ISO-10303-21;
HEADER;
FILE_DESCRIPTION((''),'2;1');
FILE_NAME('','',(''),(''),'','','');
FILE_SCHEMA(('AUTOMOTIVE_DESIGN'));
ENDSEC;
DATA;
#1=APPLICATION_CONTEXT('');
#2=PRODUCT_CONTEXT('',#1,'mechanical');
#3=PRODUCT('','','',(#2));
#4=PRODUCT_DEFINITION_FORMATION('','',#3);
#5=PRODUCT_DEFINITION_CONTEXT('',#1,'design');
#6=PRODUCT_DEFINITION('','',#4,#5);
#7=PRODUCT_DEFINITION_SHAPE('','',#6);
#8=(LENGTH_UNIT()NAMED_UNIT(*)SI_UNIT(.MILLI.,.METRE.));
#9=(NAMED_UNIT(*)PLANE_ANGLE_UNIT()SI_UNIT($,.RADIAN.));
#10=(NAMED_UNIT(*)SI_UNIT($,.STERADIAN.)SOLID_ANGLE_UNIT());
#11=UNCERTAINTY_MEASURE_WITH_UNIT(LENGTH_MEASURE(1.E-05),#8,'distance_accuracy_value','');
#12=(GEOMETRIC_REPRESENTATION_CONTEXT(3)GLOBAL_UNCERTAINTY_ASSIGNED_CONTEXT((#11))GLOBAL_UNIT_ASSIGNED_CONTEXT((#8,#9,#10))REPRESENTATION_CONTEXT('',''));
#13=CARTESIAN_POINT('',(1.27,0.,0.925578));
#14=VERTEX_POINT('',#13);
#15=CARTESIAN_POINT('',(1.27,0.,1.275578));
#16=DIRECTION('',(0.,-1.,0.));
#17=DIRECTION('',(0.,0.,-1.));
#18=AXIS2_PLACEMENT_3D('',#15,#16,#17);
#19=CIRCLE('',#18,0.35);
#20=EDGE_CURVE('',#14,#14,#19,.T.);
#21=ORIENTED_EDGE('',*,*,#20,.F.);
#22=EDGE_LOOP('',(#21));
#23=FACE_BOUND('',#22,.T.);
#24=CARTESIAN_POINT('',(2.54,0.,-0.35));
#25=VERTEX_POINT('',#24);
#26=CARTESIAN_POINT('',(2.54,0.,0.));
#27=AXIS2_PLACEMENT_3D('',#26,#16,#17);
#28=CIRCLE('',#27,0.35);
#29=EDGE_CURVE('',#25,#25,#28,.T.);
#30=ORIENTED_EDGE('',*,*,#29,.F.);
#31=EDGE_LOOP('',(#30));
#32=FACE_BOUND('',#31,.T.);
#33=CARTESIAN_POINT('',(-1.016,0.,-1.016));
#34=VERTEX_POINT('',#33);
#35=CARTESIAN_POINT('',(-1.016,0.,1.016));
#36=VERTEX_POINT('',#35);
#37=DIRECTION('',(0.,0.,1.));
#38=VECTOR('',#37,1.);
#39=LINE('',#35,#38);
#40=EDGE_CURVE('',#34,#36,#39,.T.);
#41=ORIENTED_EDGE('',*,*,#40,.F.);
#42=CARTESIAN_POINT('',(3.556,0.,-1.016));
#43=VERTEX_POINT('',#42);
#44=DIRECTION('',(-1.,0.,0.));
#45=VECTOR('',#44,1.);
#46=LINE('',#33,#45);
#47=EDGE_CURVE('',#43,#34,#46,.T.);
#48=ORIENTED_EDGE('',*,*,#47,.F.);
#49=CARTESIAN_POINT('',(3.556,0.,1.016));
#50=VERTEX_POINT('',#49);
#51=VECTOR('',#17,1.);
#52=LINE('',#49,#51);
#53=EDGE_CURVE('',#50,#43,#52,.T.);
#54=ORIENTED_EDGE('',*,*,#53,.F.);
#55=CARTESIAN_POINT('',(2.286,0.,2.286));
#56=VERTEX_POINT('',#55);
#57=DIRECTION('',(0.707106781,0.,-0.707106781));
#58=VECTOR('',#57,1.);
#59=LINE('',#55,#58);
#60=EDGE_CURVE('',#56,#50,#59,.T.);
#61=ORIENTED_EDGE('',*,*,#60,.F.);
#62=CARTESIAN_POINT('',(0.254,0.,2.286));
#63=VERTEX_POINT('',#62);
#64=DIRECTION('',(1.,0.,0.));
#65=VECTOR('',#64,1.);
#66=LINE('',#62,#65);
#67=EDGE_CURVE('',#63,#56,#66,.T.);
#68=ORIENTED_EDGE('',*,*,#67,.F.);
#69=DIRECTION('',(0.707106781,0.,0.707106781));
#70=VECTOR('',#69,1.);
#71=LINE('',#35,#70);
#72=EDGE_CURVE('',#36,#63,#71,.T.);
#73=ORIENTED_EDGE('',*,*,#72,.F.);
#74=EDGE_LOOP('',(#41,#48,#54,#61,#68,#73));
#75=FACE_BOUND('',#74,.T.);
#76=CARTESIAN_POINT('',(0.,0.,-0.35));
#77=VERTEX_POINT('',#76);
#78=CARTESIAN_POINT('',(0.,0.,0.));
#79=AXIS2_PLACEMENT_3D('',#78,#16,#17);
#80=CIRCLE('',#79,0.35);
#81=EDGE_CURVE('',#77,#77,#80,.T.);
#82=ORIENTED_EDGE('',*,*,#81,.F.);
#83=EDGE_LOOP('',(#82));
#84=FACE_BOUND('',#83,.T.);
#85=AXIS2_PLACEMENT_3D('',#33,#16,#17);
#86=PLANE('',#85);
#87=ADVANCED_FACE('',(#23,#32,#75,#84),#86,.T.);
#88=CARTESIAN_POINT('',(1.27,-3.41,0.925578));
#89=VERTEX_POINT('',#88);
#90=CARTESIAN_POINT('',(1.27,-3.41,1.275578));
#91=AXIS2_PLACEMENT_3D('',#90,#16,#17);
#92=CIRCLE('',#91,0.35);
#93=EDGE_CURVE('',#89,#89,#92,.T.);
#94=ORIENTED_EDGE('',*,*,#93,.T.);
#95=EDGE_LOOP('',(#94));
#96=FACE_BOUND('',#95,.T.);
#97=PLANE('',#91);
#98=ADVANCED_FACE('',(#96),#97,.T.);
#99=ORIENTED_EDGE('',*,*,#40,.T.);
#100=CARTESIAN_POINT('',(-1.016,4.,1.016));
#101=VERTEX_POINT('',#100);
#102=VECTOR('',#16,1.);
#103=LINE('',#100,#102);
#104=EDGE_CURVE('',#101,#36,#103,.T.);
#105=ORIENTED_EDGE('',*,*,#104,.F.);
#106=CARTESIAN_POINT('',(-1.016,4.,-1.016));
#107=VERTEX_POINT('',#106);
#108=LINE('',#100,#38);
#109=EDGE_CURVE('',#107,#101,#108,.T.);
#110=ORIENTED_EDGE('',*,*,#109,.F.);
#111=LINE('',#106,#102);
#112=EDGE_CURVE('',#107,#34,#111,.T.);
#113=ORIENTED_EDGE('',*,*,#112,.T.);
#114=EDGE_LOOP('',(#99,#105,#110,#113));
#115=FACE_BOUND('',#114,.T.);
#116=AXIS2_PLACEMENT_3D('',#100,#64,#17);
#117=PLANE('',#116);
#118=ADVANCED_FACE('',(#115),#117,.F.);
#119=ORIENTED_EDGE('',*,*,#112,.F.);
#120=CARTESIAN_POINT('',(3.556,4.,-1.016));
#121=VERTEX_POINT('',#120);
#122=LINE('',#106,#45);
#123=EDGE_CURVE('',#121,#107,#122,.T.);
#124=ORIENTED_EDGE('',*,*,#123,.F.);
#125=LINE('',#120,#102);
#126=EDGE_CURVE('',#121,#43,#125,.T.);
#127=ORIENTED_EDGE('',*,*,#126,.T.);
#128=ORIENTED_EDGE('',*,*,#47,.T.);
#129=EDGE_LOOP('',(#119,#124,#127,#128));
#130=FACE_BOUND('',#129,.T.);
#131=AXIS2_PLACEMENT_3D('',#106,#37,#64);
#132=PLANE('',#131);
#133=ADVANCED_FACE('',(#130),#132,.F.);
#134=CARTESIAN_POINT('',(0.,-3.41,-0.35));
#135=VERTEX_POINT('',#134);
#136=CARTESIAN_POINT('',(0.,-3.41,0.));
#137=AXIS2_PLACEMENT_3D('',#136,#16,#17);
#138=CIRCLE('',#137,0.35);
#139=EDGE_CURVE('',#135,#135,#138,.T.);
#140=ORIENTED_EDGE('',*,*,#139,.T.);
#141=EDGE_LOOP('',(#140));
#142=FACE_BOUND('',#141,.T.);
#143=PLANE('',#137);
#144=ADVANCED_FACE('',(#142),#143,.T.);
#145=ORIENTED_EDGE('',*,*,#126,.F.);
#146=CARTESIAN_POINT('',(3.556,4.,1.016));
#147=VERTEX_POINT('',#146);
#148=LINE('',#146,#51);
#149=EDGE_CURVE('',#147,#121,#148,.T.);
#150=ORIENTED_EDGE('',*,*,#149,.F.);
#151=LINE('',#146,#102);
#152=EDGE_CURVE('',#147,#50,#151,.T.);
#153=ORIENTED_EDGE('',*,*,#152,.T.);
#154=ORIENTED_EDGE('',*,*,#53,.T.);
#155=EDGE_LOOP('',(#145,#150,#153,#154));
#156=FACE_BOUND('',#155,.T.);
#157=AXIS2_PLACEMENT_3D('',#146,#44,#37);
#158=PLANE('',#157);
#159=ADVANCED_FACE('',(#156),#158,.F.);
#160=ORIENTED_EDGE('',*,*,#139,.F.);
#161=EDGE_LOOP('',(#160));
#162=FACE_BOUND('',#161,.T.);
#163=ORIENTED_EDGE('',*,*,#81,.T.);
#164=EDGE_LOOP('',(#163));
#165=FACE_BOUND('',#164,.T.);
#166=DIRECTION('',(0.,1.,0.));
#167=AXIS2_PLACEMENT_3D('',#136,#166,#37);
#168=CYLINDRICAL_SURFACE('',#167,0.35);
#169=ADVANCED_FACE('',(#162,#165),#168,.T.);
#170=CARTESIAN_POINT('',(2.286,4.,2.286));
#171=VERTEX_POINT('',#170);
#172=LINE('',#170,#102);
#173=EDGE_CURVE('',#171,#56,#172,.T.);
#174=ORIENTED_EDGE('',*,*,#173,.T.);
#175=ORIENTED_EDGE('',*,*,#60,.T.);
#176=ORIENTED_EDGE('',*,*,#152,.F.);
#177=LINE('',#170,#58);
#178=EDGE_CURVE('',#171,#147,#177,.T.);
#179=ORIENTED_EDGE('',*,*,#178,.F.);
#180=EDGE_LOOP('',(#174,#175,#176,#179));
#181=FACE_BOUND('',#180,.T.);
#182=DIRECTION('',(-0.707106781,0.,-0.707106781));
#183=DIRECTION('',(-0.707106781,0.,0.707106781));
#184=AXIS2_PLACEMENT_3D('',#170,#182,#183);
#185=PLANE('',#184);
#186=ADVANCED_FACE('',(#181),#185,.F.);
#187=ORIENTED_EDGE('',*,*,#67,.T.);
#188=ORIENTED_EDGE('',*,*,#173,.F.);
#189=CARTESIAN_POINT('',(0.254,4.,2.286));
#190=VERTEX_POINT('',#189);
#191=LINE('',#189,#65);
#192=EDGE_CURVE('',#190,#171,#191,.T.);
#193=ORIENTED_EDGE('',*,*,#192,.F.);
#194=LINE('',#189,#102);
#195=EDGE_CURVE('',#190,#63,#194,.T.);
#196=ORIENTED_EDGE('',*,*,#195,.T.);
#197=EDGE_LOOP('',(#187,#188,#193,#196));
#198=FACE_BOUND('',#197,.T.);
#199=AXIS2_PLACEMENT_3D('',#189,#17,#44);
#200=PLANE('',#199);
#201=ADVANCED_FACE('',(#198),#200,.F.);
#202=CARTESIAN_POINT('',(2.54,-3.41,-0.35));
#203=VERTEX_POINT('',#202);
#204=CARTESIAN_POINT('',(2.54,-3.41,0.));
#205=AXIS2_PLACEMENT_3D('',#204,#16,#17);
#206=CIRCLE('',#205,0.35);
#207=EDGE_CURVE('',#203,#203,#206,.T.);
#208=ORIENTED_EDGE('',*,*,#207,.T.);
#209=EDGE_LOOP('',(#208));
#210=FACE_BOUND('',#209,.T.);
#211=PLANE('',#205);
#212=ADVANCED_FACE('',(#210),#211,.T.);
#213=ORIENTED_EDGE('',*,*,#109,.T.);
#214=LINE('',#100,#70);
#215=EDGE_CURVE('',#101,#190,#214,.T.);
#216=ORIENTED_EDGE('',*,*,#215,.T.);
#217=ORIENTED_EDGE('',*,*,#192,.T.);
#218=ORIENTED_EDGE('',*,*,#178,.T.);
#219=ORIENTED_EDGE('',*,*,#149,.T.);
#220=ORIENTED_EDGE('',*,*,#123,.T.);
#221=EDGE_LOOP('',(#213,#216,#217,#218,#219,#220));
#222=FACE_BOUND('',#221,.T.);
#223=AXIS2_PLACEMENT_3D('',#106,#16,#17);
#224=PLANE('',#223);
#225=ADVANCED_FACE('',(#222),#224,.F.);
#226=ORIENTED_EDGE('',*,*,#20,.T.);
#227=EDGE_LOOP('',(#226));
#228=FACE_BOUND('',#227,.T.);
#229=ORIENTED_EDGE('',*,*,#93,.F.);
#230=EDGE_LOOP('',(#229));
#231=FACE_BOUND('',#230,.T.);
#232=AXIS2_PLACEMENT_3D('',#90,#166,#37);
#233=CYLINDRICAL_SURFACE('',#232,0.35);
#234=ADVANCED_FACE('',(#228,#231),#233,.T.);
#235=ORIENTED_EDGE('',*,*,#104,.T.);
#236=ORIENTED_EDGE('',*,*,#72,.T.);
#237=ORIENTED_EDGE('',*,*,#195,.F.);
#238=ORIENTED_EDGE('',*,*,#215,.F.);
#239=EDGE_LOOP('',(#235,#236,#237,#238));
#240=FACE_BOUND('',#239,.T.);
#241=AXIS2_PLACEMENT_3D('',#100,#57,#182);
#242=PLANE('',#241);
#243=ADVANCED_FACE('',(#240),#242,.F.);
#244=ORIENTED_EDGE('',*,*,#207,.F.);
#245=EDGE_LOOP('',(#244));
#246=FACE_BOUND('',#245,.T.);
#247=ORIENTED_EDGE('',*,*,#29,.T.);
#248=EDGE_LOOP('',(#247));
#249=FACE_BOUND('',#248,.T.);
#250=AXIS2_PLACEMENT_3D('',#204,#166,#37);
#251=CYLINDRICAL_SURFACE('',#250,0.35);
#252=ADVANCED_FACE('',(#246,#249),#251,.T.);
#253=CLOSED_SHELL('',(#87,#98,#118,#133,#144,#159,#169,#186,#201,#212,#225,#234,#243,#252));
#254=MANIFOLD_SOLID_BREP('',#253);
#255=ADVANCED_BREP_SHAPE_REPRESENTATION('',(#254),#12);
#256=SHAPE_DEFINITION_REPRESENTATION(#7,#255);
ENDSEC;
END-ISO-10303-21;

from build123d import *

# Parameters (mm, degrees)
BOSS_EXTRUDE1_DEPTH = 4
SKETCH2_R           = 0.35
BOSS_EXTRUDE2_DEPTH = 3.41


with BuildPart() as part:
    # Sketch1 → Boss-Extrude1 (new body)
    with BuildSketch(Plane(origin=(0, 0, 0), x_dir=(1, 0, 0), z_dir=(0, 1, 0))):
        Polygon((-1.016, -1.016), (0.254, -2.286), (2.286, -2.286), (3.556, -1.016), (3.556, 1.016), (-1.016, 1.016), align=None)
    extrude(amount=BOSS_EXTRUDE1_DEPTH)

    # Sketch2 → Boss-Extrude2 (add)
    with BuildSketch(Plane.XZ):
        Circle(SKETCH2_R)
        with Locations((2.54, 0)):
            Circle(SKETCH2_R)
        with Locations((1.27, 1.2755783)):
            Circle(SKETCH2_R)
    extrude(amount=BOSS_EXTRUDE2_DEPTH)


solid = part.part
